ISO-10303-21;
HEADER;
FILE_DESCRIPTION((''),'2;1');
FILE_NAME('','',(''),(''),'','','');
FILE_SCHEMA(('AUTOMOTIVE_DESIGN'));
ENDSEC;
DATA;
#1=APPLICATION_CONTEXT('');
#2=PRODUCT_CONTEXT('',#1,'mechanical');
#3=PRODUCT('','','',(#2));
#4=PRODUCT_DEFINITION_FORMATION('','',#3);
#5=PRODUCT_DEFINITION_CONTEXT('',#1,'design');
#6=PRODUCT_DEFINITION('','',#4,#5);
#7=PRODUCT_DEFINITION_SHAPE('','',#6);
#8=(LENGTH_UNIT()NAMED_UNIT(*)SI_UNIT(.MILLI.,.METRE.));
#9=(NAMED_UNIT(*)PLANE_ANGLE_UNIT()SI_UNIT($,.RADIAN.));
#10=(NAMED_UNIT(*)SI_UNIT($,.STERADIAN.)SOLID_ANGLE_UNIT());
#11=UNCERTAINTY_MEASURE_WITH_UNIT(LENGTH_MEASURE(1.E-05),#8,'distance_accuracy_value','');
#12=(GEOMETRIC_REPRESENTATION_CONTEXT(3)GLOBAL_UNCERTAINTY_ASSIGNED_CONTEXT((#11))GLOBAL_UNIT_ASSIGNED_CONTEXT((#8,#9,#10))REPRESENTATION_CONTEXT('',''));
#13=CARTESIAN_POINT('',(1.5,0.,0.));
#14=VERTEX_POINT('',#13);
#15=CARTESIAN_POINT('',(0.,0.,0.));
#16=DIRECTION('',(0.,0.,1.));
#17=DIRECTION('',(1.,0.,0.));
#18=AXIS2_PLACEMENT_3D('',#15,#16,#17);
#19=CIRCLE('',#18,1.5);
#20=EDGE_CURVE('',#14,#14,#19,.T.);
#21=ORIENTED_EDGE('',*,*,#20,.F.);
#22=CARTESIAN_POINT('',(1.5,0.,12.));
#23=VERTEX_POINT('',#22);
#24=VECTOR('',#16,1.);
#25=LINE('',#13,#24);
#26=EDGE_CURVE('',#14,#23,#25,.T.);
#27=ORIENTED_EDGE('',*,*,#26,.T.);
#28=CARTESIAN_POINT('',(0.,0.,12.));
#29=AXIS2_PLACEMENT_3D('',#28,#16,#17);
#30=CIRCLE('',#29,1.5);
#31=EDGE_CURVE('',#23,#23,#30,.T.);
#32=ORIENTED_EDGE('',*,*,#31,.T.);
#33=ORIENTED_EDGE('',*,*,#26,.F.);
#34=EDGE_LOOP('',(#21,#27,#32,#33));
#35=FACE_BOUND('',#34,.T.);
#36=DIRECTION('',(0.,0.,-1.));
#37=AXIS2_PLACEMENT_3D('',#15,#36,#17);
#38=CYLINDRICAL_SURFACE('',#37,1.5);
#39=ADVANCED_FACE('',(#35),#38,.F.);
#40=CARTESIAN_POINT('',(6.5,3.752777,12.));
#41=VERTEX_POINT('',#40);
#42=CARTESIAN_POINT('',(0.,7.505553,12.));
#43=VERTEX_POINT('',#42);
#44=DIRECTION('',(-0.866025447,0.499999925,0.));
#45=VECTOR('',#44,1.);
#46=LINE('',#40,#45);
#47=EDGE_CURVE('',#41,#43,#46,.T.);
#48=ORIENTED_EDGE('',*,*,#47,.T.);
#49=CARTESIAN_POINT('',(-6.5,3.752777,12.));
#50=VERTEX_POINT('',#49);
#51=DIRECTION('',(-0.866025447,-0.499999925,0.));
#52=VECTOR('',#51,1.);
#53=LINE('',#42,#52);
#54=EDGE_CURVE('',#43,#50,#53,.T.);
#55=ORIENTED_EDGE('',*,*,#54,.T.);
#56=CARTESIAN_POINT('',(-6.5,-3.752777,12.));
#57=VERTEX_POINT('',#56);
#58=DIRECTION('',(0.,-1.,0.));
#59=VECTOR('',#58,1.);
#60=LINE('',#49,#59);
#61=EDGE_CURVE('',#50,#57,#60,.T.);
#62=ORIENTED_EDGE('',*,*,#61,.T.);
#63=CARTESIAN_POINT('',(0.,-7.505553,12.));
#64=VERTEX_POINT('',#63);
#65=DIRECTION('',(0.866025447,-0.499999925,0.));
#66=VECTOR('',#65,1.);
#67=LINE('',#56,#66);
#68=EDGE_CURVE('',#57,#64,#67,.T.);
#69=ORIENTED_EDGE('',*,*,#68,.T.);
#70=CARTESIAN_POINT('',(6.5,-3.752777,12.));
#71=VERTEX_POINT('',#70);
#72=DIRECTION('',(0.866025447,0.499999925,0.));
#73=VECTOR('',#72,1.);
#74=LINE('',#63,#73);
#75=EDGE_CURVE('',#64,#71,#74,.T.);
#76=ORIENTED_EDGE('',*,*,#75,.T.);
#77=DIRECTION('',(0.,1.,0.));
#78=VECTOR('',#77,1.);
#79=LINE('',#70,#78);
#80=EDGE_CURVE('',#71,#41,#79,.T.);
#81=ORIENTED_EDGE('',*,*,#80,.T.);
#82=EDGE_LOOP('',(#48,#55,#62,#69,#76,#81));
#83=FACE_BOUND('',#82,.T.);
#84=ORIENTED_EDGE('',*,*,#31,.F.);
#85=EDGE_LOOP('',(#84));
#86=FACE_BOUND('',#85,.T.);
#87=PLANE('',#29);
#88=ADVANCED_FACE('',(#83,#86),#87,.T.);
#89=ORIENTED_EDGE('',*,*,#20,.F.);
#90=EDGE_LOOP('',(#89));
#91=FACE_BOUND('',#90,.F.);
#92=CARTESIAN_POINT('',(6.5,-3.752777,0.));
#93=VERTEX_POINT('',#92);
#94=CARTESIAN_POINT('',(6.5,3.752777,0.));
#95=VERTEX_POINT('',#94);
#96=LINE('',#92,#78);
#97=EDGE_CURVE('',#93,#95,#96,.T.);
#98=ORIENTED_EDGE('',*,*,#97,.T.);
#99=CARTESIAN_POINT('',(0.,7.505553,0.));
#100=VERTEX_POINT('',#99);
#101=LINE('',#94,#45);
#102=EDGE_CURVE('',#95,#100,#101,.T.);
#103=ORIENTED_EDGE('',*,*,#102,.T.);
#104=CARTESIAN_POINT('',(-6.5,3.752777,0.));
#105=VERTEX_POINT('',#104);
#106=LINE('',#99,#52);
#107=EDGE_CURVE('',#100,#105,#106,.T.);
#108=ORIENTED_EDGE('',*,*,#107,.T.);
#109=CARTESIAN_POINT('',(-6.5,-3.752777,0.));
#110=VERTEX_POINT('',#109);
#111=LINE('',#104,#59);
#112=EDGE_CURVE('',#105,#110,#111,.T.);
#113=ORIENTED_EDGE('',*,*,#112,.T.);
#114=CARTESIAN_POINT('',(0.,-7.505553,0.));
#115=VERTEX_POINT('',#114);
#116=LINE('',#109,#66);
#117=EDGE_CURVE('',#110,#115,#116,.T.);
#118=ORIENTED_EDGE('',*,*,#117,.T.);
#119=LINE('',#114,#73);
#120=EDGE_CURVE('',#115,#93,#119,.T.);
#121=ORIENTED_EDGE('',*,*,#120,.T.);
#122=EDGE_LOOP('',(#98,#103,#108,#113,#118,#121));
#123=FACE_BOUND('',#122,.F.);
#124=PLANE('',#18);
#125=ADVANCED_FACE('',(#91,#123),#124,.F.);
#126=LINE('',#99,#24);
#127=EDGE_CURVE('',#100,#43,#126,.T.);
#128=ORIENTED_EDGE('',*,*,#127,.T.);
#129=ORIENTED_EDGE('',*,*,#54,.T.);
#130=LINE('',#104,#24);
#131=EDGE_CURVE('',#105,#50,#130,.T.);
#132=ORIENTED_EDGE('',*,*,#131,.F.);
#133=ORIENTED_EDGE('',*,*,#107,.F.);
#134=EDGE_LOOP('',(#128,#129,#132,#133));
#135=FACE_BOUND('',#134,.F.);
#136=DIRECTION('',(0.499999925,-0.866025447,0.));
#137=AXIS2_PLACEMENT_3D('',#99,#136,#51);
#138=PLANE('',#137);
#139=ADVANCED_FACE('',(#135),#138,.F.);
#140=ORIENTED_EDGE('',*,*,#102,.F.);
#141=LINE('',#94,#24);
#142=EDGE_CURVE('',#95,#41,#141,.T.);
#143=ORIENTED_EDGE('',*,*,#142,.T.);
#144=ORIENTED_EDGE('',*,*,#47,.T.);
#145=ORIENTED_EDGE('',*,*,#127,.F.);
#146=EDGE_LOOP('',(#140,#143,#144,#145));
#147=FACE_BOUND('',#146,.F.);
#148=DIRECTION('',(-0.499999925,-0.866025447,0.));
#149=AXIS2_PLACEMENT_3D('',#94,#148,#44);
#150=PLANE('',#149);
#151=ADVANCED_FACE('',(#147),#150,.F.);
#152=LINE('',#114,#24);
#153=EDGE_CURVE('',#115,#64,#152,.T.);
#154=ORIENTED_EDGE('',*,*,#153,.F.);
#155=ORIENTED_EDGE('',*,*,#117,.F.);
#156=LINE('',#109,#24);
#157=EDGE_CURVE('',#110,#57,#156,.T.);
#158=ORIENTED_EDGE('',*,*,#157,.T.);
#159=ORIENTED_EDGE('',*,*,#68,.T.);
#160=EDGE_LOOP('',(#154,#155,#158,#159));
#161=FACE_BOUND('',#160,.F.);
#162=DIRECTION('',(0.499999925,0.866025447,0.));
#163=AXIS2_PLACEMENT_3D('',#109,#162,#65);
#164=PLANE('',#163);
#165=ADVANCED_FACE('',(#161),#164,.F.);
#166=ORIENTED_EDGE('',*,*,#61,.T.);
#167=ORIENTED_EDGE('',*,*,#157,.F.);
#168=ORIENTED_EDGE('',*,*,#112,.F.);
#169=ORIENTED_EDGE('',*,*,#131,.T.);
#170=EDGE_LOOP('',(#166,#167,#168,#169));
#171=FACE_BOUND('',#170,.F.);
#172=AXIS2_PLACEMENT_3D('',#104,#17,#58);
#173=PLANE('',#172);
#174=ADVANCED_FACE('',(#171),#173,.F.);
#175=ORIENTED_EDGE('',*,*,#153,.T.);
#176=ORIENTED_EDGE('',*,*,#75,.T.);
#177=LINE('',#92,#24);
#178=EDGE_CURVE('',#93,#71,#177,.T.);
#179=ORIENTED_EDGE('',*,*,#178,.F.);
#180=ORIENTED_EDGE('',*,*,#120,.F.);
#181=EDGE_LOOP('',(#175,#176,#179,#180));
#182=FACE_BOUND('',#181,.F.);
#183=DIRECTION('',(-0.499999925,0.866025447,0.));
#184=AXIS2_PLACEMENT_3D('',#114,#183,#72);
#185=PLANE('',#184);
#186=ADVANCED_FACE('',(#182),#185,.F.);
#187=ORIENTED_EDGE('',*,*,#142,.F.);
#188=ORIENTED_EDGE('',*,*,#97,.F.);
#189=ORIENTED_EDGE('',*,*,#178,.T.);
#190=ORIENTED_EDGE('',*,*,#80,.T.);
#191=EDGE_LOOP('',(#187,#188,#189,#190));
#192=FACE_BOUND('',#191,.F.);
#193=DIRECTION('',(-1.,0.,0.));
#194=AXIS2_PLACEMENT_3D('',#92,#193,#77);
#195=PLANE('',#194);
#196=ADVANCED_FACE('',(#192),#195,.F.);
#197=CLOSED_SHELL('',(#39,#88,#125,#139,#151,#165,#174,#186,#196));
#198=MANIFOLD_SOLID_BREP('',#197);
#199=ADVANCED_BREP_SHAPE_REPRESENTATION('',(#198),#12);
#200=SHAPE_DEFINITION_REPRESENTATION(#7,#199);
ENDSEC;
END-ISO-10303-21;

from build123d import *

# Parameters (mm, degrees)
SKETCH_R  = 1.5
PAD_DEPTH = 12


with BuildPart() as part:
    # Sketch → Pad (new body)
    with BuildSketch(Plane.XY):
        Polygon((6.5, -3.752777), (6.5, 3.752777), (0, 7.505553), (-6.5, 3.752777), (-6.5, -3.752777), (0, -7.505553), align=None)
        Circle(SKETCH_R, mode=Mode.SUBTRACT)
    extrude(amount=PAD_DEPTH)


solid = part.part
